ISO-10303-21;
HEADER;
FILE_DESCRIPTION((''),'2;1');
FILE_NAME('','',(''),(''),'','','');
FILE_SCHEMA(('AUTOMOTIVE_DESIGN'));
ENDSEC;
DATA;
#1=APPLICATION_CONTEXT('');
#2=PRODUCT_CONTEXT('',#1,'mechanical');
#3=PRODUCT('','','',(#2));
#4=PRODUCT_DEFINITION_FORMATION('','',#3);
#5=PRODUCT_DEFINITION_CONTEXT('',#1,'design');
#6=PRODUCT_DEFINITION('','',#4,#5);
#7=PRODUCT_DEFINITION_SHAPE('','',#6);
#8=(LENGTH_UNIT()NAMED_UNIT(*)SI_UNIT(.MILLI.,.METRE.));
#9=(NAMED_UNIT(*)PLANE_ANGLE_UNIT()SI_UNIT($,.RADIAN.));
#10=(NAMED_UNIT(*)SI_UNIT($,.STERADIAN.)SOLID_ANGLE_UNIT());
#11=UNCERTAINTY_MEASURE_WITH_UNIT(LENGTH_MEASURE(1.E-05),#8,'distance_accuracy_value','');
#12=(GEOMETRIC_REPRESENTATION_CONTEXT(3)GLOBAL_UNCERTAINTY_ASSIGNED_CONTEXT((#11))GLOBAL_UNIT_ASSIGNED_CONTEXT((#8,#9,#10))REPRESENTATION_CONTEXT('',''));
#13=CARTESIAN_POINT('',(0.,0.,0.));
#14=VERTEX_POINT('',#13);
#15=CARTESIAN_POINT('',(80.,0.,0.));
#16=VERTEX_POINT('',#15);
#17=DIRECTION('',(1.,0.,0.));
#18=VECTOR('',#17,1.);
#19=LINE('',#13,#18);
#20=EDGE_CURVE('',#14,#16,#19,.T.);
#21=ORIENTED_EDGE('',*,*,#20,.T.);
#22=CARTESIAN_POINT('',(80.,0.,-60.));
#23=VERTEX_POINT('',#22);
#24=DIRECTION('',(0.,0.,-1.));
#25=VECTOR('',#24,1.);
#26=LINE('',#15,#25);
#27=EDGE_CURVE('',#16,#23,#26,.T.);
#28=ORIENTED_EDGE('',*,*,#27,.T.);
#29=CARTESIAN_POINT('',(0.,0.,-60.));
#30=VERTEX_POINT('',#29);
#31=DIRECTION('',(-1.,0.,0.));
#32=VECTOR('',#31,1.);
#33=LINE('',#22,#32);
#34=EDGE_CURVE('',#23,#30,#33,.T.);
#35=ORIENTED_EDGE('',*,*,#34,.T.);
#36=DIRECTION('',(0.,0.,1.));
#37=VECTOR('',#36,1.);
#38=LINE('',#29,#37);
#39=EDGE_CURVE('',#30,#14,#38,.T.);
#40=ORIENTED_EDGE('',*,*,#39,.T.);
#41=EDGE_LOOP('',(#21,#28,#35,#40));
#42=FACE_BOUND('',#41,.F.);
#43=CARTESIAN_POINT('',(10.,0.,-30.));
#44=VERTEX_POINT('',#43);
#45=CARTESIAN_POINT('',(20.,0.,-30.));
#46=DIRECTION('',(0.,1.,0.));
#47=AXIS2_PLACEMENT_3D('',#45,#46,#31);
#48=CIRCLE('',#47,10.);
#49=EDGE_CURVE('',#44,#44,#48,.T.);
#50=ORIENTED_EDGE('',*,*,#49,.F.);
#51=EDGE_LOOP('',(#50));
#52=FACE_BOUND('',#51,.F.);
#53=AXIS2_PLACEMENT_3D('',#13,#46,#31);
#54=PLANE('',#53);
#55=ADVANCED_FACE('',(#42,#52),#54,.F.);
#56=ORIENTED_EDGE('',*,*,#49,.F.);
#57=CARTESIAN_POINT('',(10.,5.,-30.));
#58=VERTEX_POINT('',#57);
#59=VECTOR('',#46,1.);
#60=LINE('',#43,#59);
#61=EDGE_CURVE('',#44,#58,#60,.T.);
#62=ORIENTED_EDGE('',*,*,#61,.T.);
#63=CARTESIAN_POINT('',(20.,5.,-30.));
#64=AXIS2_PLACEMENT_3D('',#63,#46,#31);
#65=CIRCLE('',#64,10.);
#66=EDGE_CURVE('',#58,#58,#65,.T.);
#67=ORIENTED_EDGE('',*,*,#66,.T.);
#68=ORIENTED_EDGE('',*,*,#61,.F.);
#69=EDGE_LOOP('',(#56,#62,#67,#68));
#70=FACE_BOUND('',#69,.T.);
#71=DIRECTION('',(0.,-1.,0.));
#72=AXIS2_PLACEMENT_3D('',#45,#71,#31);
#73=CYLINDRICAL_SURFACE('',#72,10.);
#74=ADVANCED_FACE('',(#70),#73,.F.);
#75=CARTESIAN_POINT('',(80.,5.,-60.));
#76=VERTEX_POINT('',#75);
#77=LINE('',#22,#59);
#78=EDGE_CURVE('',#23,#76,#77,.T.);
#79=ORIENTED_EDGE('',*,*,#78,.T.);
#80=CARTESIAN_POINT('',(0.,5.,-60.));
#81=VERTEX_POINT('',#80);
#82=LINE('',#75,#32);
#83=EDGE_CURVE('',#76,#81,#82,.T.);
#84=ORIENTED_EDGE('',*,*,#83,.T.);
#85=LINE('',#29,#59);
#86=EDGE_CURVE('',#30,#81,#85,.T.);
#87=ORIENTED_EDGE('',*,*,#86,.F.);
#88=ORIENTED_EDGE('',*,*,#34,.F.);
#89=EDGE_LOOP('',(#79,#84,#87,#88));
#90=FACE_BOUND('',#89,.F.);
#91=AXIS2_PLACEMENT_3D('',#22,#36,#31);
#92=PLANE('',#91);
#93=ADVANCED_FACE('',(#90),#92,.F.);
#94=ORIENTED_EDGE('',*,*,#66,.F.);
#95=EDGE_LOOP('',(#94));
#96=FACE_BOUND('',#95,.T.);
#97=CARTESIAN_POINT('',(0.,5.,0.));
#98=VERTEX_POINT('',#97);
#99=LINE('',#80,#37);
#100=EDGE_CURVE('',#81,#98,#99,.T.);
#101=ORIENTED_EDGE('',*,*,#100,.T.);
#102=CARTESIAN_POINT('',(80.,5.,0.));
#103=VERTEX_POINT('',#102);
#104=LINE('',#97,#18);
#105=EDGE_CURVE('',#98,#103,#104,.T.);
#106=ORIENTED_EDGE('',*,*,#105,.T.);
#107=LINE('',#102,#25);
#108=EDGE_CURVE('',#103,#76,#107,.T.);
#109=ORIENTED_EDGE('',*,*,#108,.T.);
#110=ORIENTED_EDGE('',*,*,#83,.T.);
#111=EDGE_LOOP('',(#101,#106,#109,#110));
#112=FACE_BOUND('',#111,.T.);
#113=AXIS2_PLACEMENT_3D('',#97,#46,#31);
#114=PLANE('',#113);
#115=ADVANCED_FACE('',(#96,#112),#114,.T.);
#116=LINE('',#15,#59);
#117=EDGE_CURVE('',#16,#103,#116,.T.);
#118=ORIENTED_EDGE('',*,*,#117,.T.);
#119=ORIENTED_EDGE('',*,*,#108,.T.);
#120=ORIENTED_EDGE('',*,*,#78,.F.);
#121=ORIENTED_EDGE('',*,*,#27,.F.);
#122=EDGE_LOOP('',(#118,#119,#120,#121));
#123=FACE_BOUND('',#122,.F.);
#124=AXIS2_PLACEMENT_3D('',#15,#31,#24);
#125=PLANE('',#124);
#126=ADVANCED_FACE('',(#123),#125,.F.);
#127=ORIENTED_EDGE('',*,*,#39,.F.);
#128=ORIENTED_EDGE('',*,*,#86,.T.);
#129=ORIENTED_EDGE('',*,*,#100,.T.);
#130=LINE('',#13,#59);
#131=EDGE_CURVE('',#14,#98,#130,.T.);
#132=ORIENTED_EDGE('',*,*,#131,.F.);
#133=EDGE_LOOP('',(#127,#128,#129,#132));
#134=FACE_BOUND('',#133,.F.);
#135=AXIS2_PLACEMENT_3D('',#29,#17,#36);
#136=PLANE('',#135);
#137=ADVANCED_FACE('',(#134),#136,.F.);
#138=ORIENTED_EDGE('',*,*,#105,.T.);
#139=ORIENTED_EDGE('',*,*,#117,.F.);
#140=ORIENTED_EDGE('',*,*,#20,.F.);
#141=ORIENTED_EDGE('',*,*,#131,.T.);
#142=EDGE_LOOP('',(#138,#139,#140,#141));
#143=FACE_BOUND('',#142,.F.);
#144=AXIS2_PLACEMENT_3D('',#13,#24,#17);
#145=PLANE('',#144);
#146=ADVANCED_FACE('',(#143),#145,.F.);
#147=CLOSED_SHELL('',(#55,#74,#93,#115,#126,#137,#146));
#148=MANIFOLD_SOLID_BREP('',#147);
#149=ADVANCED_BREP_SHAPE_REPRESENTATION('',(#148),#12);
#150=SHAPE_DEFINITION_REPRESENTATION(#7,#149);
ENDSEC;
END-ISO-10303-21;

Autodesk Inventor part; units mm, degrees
ref_plane "YZ Plane" through (0, 0, 0) normal (1, 0, 0) x (0, 1, 0)
ref_plane "XZ Plane" through (0, 0, 0) normal (0, 1, 0) x (-1, 0, 0)
ref_plane "XY Plane" through (0, 0, 0) normal (0, 0, 1) x (1, 0, 0)
sketch "Boceto1" plane through (0, 0, 0) normal (0, 1, 0) x (-1, 0, 0)
  line L0 (0, 0) -> (-80, 0)
  line L1 (-80, 0) -> (-80, -60)
  line L2 (-80, -60) -> (0, -60)
  line L3 (0, -60) -> (0, 0)
  circle A0 centre (-20, -30) radius 10
  dimension "d0" = 80
  dimension "d1" = 60
  dimension "d2" = 20
  dimension "d3" = 30
  dimension "d4" = 20
extrude "Extrusión1" add sketch "Boceto1" along normal blind 5
properties part number "soporte"
